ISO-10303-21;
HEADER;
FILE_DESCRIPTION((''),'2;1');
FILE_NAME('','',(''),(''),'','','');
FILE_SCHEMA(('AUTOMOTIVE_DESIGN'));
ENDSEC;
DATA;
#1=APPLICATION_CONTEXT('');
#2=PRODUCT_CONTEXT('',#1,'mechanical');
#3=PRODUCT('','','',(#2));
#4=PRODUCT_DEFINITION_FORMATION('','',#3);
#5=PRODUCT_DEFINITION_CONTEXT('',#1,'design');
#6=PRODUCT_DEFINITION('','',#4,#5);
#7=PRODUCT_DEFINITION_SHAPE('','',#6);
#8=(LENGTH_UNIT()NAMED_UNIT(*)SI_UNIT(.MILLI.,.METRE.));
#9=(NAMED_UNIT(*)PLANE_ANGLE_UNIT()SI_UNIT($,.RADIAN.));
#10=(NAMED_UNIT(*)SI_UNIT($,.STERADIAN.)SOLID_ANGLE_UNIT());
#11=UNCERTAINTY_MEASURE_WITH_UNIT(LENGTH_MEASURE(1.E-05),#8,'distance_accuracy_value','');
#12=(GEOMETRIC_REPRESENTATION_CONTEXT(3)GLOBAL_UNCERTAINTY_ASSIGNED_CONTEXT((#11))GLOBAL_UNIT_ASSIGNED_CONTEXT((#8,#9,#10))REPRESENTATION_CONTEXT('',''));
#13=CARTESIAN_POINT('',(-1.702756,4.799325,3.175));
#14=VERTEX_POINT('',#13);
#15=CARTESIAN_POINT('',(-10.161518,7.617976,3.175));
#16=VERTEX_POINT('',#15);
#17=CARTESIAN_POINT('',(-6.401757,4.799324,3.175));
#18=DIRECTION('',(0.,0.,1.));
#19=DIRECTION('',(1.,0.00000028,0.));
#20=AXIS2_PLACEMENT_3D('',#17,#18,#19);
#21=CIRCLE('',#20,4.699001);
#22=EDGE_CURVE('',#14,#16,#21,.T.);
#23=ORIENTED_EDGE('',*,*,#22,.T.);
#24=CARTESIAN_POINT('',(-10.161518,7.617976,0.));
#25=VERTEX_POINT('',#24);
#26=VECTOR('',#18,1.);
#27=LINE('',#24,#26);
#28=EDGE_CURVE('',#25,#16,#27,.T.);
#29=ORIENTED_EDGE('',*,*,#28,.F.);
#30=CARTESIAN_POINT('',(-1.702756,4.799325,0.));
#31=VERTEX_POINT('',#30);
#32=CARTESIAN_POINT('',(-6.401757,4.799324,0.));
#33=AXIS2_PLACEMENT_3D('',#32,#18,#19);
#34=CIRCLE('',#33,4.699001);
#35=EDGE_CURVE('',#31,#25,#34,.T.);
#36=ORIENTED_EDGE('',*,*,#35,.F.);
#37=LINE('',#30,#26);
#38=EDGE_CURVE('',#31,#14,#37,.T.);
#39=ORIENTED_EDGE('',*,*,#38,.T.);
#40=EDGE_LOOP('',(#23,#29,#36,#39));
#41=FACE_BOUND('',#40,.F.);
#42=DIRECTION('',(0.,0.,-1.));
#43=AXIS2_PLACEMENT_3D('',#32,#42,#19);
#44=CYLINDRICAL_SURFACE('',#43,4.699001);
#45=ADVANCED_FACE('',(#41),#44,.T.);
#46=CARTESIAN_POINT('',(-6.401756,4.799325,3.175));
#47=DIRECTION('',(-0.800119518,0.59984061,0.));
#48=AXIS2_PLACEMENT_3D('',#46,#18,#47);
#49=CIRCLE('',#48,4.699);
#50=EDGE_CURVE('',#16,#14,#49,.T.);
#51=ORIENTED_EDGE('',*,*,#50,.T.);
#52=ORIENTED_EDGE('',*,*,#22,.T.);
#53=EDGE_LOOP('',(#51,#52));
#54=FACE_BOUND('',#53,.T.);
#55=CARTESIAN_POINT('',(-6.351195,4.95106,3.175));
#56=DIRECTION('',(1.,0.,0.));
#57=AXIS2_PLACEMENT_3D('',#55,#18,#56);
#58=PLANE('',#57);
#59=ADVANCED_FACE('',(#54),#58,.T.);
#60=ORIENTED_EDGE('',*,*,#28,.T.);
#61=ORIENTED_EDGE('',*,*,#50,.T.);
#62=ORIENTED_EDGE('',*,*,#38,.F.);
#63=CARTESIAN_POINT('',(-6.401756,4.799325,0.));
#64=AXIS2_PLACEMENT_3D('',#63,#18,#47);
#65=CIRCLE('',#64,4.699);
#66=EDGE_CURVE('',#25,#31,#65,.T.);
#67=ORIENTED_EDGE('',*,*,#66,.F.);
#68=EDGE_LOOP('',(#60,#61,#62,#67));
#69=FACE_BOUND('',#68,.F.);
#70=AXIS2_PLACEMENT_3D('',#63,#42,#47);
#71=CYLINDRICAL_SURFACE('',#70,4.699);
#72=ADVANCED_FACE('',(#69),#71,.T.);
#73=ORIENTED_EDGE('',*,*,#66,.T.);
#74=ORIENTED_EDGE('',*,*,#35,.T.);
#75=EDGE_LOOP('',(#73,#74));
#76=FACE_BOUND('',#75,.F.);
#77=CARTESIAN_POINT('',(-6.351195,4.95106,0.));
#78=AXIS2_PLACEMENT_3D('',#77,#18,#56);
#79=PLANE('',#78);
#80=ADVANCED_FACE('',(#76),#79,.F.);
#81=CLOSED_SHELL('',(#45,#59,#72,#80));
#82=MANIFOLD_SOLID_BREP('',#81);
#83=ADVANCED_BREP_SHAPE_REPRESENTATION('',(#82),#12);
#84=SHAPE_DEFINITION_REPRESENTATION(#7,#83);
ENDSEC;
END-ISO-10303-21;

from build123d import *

# Parameters (mm, degrees)
F1_DEPTH = 3.175


with BuildPart() as f1:
    # F0 (on Top) → F1 (new body)
    with BuildSketch(Plane.XY):
        with BuildLine():
            ThreePointArc((-1.702756, 4.799325), (-4.916246, 9.257335), (-10.161518, 7.617976))
            ThreePointArc((-10.161518, 7.617976), (-7.887267, 0.341314), (-1.702756, 4.799325))
        make_face()
    extrude(amount=F1_DEPTH)


solid = f1.part
